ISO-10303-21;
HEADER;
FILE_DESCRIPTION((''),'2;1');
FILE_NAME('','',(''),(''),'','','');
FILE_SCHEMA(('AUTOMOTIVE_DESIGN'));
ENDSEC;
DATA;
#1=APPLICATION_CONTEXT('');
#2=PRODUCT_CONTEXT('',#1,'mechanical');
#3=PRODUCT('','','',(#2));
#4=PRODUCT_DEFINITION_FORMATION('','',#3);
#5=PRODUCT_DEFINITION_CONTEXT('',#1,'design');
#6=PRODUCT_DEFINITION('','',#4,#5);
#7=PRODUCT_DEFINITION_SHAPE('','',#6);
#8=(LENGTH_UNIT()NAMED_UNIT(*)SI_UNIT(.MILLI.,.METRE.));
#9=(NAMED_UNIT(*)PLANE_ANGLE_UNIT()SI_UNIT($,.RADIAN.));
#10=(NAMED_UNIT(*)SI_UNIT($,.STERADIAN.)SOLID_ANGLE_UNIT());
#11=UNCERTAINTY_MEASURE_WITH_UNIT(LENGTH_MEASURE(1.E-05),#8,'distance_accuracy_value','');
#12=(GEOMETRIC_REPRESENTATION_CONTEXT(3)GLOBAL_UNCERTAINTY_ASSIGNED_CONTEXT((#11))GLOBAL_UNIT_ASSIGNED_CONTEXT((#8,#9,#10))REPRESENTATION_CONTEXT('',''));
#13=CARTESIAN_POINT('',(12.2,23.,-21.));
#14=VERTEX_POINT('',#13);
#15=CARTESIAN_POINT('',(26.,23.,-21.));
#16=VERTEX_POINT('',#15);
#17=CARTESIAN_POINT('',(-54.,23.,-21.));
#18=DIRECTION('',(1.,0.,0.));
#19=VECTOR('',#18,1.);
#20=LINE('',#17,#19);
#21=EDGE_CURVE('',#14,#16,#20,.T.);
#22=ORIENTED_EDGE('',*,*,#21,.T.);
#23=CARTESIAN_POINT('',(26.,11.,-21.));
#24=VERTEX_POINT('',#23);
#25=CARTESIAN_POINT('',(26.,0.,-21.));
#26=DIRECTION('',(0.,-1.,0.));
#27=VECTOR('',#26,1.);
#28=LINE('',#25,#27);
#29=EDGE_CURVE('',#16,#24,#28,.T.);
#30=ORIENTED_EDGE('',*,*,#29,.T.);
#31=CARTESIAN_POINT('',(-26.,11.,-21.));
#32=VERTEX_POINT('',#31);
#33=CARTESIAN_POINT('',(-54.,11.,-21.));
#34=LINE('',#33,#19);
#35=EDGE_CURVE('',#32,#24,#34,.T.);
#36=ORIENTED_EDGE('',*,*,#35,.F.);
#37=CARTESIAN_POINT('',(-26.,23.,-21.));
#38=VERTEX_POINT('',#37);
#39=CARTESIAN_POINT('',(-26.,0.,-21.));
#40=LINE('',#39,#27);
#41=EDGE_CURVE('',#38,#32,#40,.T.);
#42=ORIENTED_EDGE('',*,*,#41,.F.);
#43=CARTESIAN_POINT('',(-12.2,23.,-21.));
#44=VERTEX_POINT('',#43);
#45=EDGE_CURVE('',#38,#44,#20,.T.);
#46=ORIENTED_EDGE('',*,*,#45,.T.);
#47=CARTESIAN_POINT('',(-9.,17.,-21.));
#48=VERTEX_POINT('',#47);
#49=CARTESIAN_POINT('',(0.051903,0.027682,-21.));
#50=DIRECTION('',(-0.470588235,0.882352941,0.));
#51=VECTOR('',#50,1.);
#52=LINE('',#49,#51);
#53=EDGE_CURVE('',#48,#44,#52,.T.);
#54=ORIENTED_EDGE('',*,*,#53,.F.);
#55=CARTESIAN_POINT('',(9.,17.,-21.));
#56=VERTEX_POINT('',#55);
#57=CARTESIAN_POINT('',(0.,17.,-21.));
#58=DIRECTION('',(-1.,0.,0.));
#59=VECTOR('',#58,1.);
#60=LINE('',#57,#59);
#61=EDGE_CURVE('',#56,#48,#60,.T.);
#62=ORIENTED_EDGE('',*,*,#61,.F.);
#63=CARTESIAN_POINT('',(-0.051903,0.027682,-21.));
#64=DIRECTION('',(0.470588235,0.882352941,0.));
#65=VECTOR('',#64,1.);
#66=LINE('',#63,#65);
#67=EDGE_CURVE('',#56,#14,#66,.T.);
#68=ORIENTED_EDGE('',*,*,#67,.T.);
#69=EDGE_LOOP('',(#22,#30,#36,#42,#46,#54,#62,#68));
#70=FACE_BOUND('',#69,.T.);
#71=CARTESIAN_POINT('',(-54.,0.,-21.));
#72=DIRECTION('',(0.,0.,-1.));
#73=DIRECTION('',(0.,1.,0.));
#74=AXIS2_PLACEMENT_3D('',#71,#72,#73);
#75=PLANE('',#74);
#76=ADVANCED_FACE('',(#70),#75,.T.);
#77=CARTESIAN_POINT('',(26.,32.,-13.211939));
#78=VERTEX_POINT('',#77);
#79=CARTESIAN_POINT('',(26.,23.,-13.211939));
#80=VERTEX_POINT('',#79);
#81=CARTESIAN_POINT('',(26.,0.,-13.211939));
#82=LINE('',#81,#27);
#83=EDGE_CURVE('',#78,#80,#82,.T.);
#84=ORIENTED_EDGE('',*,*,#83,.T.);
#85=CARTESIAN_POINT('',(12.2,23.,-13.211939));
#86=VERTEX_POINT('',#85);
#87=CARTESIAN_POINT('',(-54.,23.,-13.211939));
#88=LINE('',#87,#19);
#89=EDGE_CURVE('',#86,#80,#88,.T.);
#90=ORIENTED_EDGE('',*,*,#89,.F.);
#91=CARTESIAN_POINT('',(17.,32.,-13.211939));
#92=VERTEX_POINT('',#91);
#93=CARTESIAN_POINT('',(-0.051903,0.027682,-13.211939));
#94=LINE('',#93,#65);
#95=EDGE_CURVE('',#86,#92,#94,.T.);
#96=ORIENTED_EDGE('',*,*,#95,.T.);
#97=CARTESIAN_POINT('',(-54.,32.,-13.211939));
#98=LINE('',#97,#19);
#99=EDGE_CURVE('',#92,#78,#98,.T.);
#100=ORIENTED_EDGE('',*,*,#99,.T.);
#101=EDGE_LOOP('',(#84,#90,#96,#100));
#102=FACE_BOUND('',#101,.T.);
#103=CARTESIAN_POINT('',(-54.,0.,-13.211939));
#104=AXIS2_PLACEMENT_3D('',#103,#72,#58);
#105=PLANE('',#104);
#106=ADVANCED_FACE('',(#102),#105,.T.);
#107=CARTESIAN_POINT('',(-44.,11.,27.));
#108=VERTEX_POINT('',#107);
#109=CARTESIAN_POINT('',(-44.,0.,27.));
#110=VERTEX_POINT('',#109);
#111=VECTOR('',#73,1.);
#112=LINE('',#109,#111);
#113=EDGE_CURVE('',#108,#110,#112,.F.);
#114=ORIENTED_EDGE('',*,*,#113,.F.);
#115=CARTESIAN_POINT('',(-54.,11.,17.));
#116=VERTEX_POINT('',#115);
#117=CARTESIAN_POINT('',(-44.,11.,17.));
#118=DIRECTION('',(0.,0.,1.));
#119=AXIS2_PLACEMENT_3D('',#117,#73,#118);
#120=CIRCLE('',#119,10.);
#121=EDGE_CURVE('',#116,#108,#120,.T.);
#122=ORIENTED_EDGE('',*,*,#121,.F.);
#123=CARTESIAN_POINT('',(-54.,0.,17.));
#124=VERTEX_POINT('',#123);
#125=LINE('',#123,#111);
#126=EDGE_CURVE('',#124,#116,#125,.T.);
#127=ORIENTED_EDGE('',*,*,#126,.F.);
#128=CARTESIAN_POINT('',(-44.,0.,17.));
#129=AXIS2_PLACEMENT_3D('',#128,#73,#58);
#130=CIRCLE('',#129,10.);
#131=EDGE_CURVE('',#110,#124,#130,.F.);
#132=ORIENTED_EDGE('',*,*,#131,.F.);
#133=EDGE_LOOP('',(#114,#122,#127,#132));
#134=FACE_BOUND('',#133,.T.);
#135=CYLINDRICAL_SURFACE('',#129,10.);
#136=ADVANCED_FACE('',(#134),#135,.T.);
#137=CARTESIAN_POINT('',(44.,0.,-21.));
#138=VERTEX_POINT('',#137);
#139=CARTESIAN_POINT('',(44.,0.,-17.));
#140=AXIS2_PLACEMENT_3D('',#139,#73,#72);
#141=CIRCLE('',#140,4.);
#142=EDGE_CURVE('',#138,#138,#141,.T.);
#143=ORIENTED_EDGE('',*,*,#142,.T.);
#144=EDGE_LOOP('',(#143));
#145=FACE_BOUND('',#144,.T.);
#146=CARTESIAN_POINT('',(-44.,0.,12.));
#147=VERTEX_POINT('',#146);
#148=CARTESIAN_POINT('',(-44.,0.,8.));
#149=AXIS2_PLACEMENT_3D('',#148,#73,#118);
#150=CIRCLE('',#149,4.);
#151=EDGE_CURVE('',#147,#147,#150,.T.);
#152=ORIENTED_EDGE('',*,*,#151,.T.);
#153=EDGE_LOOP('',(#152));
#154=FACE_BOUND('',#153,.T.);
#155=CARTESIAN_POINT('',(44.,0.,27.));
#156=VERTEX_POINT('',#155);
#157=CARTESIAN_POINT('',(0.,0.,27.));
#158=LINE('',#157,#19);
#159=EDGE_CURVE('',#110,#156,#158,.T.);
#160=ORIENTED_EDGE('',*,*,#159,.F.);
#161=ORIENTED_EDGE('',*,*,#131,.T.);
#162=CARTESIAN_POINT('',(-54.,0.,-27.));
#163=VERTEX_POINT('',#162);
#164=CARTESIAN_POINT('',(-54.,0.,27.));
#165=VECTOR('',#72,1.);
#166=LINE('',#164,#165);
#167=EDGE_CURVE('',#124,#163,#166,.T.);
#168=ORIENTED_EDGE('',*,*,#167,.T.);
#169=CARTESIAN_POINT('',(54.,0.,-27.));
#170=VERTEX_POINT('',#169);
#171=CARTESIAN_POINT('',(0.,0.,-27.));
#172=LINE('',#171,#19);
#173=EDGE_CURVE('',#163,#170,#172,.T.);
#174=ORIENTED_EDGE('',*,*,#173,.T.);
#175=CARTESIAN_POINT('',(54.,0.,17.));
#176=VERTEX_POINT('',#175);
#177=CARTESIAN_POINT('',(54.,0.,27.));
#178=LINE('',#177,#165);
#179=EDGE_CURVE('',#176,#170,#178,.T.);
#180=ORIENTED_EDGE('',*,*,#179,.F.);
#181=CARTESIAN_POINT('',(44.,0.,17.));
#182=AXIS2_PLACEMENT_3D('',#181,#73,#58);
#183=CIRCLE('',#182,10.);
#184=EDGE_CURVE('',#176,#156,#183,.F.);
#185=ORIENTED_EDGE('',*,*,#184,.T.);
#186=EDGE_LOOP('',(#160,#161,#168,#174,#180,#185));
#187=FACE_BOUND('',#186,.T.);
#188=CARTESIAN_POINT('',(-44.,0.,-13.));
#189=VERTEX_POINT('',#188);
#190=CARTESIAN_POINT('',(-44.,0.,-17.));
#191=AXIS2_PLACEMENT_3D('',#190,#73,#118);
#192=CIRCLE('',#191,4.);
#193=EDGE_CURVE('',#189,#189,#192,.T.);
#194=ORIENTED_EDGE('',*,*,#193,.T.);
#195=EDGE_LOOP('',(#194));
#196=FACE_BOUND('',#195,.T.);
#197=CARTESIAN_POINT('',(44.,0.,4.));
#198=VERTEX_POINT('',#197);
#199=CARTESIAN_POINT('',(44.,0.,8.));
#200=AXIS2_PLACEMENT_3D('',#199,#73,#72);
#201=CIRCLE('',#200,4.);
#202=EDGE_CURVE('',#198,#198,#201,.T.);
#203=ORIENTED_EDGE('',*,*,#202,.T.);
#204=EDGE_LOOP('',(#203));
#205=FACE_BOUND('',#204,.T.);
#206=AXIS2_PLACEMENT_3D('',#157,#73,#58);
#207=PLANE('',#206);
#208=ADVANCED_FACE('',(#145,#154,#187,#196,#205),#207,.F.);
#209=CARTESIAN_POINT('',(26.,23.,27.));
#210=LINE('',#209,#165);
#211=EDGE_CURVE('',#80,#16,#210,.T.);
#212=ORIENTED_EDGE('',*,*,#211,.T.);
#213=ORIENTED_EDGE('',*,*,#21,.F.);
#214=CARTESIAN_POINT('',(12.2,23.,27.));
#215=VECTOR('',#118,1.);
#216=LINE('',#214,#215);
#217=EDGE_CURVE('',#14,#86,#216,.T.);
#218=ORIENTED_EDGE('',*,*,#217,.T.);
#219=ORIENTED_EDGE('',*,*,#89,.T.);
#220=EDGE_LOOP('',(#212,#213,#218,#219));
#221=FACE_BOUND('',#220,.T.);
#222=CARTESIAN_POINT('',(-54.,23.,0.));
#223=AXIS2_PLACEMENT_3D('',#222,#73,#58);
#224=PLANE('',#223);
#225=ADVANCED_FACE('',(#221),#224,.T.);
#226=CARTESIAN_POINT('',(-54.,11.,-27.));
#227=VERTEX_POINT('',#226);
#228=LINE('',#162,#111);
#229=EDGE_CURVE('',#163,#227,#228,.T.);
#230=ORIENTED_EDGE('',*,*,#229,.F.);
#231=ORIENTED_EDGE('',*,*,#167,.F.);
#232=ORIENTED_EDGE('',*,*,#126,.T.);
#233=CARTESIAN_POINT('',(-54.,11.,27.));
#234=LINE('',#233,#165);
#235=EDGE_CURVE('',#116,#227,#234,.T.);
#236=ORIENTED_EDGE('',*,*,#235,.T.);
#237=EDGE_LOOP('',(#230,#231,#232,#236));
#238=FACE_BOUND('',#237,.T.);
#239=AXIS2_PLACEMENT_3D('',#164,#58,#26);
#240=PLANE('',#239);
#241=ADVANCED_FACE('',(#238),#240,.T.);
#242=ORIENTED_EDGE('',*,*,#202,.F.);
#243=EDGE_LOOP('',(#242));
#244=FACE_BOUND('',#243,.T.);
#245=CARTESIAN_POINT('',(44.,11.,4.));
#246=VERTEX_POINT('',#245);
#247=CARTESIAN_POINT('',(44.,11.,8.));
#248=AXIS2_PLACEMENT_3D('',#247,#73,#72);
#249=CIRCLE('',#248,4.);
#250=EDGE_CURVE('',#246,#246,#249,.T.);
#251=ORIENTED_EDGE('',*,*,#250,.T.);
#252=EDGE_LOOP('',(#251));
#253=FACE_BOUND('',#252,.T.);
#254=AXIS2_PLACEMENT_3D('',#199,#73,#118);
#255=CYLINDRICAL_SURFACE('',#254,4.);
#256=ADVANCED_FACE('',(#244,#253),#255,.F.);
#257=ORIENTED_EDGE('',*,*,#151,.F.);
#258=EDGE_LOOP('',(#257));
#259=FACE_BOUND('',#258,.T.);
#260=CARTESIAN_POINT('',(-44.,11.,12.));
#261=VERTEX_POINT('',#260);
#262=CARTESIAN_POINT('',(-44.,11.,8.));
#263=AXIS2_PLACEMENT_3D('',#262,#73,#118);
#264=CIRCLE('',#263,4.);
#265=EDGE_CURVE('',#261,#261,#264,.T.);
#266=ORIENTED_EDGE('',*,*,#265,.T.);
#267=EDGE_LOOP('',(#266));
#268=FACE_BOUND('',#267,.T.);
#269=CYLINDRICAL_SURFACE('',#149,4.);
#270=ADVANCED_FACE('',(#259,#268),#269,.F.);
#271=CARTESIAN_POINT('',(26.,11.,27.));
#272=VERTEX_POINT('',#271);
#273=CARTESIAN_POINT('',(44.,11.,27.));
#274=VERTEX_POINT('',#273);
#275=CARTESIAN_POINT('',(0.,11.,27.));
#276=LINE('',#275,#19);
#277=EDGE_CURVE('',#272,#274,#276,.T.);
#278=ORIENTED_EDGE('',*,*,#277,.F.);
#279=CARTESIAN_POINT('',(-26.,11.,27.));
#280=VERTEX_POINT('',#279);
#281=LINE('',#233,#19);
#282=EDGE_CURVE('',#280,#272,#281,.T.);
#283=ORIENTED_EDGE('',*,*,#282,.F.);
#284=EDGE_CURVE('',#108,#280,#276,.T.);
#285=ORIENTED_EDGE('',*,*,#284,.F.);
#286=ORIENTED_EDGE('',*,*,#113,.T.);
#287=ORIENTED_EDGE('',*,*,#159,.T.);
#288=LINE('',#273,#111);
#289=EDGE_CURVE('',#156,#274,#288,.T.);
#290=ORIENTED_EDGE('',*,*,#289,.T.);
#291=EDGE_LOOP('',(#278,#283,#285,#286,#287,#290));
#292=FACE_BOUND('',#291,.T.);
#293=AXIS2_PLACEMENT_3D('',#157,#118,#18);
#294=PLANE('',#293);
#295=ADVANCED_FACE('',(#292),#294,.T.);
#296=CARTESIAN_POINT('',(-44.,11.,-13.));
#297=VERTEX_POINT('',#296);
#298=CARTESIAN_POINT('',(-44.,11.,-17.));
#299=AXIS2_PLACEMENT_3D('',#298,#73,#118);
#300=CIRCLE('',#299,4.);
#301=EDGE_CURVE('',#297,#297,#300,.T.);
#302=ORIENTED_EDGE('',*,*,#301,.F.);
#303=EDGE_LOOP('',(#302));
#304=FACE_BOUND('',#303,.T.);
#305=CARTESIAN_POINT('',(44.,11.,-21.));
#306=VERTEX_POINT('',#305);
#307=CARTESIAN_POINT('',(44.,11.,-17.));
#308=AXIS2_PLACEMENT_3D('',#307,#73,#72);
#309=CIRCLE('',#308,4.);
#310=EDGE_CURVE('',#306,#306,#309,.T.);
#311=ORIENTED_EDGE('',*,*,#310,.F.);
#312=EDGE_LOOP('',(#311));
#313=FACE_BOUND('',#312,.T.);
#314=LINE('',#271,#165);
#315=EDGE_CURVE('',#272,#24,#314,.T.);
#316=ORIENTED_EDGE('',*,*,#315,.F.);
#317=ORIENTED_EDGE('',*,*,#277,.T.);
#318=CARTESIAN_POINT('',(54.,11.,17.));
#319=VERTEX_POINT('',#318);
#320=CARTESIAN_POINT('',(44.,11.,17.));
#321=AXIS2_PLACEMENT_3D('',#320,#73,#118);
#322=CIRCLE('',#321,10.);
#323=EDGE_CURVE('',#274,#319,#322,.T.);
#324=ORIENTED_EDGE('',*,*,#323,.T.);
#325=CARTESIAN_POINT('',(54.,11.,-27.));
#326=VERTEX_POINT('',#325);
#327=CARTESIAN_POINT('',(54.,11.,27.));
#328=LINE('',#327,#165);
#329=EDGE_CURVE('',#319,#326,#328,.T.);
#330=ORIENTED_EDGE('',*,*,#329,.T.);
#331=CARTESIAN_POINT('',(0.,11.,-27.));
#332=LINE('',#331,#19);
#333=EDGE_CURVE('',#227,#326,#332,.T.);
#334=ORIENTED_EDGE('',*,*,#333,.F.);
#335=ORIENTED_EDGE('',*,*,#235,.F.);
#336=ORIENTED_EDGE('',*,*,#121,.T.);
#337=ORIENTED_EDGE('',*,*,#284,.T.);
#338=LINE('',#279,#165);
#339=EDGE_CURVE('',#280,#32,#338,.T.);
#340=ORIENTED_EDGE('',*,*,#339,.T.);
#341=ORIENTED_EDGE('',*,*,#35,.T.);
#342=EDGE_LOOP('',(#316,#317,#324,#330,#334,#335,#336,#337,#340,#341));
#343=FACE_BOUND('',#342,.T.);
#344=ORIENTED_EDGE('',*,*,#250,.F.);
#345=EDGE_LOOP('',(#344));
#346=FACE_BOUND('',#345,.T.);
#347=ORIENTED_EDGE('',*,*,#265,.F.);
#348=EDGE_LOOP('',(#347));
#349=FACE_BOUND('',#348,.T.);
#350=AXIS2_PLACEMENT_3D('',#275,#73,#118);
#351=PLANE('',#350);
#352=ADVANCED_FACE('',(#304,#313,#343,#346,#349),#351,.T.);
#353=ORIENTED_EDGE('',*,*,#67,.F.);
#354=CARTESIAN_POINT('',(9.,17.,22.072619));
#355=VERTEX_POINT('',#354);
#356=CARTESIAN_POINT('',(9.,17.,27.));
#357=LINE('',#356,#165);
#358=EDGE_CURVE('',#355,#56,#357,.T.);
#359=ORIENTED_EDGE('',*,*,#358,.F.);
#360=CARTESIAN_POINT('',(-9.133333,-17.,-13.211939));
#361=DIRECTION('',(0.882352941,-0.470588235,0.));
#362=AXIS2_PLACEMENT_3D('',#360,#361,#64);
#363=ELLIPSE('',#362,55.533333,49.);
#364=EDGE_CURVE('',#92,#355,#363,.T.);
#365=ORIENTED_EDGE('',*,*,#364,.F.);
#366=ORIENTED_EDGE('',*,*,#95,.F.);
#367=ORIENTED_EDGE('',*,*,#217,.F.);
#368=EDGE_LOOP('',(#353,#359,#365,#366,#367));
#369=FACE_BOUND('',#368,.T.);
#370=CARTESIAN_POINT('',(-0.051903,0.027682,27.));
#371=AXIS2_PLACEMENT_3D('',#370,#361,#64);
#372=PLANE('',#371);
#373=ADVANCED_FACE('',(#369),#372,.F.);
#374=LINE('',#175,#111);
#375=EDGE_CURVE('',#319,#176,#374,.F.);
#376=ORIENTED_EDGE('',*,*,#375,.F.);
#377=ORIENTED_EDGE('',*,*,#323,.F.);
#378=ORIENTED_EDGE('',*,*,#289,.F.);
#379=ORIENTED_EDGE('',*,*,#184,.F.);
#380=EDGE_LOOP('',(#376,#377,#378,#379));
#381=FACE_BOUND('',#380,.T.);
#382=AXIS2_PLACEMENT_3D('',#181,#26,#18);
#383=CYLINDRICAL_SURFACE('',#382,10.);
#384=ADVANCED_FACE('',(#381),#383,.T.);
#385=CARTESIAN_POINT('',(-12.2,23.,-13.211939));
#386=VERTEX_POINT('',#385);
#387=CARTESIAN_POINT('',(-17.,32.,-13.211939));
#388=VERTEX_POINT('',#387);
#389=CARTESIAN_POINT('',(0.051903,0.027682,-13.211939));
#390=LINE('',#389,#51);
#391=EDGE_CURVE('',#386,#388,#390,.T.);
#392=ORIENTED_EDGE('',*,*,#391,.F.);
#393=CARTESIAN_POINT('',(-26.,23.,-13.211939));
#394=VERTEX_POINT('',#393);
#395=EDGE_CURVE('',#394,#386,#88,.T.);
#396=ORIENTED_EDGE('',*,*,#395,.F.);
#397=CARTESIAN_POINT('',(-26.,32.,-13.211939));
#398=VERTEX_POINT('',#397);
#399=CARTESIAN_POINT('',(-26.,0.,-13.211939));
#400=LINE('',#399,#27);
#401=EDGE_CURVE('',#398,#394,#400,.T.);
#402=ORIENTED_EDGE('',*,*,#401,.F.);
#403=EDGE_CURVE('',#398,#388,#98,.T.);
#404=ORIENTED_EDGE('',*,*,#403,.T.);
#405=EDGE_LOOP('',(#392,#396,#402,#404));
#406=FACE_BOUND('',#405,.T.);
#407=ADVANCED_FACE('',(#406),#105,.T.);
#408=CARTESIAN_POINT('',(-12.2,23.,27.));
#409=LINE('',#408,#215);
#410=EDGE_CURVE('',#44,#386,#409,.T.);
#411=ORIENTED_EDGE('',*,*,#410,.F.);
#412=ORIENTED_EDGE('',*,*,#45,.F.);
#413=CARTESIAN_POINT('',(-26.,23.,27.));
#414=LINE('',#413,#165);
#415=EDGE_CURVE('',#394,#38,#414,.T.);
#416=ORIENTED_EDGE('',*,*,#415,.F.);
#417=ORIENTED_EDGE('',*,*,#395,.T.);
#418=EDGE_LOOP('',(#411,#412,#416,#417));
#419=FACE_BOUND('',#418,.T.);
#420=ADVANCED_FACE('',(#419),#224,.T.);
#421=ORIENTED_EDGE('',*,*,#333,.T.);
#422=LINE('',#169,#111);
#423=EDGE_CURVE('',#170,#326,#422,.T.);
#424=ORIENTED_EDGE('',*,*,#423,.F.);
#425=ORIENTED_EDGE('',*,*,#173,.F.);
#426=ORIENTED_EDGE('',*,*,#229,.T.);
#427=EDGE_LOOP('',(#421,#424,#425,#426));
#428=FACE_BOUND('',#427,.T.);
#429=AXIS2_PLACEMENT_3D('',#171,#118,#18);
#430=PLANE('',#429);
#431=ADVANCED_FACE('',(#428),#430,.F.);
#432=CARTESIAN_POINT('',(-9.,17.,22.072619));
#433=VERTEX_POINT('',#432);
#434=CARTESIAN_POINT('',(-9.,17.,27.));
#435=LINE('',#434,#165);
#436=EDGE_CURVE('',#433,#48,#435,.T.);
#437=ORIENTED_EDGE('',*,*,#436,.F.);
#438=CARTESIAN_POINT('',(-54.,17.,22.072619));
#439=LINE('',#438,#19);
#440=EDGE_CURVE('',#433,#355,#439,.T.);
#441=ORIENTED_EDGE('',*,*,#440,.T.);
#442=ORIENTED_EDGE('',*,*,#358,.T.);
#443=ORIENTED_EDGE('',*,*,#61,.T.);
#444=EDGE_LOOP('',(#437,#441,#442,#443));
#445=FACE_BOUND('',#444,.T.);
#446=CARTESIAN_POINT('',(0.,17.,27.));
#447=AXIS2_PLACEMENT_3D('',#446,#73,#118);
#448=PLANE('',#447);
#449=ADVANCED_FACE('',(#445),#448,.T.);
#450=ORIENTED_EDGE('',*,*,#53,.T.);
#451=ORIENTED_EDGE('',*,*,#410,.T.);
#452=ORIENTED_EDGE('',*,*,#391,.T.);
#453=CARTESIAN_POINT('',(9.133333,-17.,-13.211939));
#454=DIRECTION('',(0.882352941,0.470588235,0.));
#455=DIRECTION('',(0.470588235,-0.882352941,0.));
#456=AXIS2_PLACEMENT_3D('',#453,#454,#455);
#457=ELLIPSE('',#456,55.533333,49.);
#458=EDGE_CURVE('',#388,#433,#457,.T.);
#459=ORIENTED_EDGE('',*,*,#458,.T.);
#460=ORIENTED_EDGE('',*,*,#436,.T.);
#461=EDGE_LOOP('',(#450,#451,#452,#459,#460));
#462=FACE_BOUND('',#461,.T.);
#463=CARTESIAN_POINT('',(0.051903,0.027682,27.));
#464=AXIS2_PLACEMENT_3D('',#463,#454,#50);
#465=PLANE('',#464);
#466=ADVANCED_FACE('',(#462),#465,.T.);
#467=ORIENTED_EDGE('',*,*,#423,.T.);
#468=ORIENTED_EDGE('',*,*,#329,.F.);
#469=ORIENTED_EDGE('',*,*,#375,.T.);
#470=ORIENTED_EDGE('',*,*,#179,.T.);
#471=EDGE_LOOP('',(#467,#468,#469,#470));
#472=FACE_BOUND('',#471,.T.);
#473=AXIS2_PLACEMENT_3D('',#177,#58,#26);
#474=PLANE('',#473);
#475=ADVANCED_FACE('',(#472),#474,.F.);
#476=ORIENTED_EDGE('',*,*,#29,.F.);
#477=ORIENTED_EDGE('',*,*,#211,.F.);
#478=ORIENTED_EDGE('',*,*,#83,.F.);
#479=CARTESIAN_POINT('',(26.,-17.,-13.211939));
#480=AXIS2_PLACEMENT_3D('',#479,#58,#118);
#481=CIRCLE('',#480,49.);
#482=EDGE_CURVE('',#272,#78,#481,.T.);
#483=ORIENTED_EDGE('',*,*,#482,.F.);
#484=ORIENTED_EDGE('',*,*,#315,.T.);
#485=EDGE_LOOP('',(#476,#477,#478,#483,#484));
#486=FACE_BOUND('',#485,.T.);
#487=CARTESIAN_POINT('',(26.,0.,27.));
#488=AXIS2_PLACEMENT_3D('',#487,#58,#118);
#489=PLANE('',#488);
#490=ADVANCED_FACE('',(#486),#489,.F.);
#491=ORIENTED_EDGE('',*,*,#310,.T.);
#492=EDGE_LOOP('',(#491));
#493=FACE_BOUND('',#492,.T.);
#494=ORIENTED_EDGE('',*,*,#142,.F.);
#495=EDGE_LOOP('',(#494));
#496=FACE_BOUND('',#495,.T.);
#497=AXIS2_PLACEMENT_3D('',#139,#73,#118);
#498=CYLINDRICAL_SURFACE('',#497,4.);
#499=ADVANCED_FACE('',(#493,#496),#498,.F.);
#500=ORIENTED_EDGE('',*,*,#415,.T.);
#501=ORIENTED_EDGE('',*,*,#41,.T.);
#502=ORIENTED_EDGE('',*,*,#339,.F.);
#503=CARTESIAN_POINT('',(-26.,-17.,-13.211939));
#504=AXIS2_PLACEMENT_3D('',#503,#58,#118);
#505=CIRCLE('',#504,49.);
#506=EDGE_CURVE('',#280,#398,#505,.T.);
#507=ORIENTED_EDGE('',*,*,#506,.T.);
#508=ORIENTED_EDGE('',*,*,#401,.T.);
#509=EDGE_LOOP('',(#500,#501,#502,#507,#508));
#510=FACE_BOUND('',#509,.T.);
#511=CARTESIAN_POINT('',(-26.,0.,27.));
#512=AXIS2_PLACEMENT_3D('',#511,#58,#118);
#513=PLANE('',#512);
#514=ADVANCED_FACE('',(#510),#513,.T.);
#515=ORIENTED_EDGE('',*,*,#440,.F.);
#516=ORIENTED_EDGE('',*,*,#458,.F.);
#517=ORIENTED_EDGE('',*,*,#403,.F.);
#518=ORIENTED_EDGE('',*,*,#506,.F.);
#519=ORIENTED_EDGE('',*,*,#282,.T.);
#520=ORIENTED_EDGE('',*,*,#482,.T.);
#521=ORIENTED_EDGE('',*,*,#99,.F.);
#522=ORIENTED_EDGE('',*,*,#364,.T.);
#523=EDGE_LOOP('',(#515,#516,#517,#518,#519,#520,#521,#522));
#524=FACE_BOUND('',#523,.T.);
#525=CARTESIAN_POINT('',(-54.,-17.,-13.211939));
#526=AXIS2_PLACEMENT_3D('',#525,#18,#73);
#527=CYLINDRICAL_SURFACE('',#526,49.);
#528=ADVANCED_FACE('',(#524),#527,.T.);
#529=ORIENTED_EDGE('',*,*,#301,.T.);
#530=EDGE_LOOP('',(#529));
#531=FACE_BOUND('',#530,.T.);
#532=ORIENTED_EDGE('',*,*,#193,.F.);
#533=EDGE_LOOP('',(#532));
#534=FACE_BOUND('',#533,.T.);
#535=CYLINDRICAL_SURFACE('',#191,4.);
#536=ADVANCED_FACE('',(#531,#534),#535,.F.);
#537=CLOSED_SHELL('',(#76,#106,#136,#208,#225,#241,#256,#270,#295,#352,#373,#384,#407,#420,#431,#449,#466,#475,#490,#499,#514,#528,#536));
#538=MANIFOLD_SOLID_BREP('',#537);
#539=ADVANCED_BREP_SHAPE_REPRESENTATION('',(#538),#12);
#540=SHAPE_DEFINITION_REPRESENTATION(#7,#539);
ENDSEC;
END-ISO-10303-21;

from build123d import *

# Parameters (mm, degrees)
BOSS_EXTRUDE1_DEPTH = 27
CUT_EXTRUDE1_DEPTH  = 116.83177457
SKETCH3_R           = 4
CUT_EXTRUDE2_DEPTH  = 64.921827258
FILLET1_R           = 10


with BuildPart() as part:
    # Sketch1 → Boss-Extrude1 (new, symmetric)
    with BuildSketch(Plane.XY):
        Polygon((-54, 0), (0, 0), (0, 11), (-26, 11), (-54, 11), align=None)
        Polygon((-26, 11), (0, 11), (0, 17), (-9, 17), (-13.235294044, 24.941176333), (-17, 32), (-26, 32), align=None)
        Polygon((0, 11), (0, 0), (54, 0), (54, 11), (26, 11), align=None)
        Polygon((0, 17), (0, 11), (26, 11), (26, 32), (17, 32), (13.235294044, 24.941176333), (9, 17), align=None)
    extrude(amount=BOSS_EXTRUDE1_DEPTH, both=True)

    # Sketch2 → Cut-Extrude1 (cut, through all)
    with BuildSketch(Plane(origin=(54, 0, 0), x_dir=(0, 0, -1), z_dir=(1, 0, 0))):
        with BuildLine():
            Line((-27, 32), (-27, 11))
            ThreePointArc((-27, 11), (-9.470653919, 26.433857761), (13.211938526, 32))
            Line((13.211938526, 32), (-27, 32))
        make_face()
        Polygon((21, 23), (21, 11), (27, 11), (27, 32), (13.211938526, 32), (13.211938526, 23), align=None)
    extrude(amount=-CUT_EXTRUDE1_DEPTH, mode=Mode.SUBTRACT)

    # Sketch3 → Cut-Extrude2 (cut, through all)
    with BuildSketch(Plane(origin=(0, 11, 0), x_dir=(1, 0, 0), z_dir=(0, 1, 0))):
        with Locations(Location((-44, 17, 0), (0, 0, 270))):
            Circle(SKETCH3_R)
        with Locations(Location((-44, -8, 0), (0, 0, 270))):
            Circle(SKETCH3_R)
        with Locations(Location((44, -8, 0), (0, 0, 90))):
            Circle(SKETCH3_R)
        with Locations(Location((44, 17, 0), (0, 0, 90))):
            Circle(SKETCH3_R)
    extrude(amount=-CUT_EXTRUDE2_DEPTH, mode=Mode.SUBTRACT)

    # Fillet1
    fillet1_edges = [part.edges().sort_by_distance(p)[0] for p in [
        (-54, 5.5, 27),
        (54, 5.5, 27),
    ]]
    fillet(fillet1_edges, radius=FILLET1_R)


solid = part.part
